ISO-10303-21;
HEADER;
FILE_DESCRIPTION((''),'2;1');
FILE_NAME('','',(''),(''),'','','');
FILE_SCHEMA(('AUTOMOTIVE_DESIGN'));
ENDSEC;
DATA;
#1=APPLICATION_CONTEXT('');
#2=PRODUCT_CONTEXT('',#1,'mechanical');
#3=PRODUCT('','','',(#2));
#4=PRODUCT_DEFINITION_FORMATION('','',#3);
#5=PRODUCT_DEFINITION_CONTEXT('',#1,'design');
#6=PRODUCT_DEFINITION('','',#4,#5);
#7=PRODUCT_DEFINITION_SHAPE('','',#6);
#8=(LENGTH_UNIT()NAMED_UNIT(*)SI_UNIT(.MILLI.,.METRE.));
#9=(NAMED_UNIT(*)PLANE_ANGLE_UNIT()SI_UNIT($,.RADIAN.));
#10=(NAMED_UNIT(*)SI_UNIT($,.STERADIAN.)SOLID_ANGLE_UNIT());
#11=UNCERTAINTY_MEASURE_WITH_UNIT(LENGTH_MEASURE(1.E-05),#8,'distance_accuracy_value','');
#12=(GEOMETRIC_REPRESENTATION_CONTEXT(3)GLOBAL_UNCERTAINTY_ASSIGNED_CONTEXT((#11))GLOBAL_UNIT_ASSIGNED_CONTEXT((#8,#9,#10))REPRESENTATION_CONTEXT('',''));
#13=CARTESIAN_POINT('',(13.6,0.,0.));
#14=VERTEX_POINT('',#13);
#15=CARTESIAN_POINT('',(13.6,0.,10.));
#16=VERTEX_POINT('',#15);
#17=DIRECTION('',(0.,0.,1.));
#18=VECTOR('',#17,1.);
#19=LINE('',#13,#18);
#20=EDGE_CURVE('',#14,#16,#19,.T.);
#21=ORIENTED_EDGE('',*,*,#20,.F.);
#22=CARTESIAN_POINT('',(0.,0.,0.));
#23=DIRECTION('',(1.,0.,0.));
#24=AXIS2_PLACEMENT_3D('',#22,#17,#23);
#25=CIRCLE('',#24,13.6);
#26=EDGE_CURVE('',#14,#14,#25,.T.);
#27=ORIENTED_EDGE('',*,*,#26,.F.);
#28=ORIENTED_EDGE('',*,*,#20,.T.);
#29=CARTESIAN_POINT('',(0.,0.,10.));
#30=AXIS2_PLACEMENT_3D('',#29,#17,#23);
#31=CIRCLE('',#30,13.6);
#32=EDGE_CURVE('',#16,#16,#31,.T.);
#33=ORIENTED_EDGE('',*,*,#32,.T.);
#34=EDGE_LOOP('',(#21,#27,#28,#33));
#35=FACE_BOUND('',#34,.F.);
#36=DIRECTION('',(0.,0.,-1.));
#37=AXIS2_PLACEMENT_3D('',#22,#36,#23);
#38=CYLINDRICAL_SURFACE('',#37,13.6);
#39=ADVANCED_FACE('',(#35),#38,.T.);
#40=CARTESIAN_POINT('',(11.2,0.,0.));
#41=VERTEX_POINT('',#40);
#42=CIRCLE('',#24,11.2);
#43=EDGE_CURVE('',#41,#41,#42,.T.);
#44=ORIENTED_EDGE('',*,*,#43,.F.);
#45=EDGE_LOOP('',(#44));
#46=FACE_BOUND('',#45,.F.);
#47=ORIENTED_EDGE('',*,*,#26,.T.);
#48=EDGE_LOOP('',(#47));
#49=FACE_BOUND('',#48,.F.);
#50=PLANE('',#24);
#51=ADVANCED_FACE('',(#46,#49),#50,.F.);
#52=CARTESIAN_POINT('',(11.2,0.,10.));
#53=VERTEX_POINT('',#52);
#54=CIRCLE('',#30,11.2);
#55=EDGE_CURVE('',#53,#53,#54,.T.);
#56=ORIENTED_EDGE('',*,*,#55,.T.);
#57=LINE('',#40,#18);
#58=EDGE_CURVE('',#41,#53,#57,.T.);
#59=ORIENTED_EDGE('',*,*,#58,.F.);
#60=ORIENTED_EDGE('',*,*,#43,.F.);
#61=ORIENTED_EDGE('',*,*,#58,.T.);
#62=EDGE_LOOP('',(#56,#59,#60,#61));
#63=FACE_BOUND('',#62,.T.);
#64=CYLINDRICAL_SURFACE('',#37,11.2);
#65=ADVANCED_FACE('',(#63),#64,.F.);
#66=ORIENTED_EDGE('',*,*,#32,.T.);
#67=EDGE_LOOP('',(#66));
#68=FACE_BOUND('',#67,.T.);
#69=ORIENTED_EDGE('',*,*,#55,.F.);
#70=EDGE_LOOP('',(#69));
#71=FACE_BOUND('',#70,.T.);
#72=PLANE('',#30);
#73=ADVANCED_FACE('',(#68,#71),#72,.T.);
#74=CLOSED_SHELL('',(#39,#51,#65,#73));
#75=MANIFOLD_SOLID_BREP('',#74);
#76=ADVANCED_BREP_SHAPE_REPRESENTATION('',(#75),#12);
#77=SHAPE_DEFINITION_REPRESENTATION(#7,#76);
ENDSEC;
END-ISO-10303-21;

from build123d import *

# Parameters (mm, degrees)
SKETCH1_R           = 13.6
SKETCH1_R_2         = 11.2
BOSS_EXTRUDE1_DEPTH = 10


with BuildPart() as part:
    # Sketch1 → Boss-Extrude1 (new body)
    with BuildSketch(Plane.XY):
        Circle(SKETCH1_R)
        Circle(SKETCH1_R_2, mode=Mode.SUBTRACT)
    extrude(amount=BOSS_EXTRUDE1_DEPTH)


solid = part.part
